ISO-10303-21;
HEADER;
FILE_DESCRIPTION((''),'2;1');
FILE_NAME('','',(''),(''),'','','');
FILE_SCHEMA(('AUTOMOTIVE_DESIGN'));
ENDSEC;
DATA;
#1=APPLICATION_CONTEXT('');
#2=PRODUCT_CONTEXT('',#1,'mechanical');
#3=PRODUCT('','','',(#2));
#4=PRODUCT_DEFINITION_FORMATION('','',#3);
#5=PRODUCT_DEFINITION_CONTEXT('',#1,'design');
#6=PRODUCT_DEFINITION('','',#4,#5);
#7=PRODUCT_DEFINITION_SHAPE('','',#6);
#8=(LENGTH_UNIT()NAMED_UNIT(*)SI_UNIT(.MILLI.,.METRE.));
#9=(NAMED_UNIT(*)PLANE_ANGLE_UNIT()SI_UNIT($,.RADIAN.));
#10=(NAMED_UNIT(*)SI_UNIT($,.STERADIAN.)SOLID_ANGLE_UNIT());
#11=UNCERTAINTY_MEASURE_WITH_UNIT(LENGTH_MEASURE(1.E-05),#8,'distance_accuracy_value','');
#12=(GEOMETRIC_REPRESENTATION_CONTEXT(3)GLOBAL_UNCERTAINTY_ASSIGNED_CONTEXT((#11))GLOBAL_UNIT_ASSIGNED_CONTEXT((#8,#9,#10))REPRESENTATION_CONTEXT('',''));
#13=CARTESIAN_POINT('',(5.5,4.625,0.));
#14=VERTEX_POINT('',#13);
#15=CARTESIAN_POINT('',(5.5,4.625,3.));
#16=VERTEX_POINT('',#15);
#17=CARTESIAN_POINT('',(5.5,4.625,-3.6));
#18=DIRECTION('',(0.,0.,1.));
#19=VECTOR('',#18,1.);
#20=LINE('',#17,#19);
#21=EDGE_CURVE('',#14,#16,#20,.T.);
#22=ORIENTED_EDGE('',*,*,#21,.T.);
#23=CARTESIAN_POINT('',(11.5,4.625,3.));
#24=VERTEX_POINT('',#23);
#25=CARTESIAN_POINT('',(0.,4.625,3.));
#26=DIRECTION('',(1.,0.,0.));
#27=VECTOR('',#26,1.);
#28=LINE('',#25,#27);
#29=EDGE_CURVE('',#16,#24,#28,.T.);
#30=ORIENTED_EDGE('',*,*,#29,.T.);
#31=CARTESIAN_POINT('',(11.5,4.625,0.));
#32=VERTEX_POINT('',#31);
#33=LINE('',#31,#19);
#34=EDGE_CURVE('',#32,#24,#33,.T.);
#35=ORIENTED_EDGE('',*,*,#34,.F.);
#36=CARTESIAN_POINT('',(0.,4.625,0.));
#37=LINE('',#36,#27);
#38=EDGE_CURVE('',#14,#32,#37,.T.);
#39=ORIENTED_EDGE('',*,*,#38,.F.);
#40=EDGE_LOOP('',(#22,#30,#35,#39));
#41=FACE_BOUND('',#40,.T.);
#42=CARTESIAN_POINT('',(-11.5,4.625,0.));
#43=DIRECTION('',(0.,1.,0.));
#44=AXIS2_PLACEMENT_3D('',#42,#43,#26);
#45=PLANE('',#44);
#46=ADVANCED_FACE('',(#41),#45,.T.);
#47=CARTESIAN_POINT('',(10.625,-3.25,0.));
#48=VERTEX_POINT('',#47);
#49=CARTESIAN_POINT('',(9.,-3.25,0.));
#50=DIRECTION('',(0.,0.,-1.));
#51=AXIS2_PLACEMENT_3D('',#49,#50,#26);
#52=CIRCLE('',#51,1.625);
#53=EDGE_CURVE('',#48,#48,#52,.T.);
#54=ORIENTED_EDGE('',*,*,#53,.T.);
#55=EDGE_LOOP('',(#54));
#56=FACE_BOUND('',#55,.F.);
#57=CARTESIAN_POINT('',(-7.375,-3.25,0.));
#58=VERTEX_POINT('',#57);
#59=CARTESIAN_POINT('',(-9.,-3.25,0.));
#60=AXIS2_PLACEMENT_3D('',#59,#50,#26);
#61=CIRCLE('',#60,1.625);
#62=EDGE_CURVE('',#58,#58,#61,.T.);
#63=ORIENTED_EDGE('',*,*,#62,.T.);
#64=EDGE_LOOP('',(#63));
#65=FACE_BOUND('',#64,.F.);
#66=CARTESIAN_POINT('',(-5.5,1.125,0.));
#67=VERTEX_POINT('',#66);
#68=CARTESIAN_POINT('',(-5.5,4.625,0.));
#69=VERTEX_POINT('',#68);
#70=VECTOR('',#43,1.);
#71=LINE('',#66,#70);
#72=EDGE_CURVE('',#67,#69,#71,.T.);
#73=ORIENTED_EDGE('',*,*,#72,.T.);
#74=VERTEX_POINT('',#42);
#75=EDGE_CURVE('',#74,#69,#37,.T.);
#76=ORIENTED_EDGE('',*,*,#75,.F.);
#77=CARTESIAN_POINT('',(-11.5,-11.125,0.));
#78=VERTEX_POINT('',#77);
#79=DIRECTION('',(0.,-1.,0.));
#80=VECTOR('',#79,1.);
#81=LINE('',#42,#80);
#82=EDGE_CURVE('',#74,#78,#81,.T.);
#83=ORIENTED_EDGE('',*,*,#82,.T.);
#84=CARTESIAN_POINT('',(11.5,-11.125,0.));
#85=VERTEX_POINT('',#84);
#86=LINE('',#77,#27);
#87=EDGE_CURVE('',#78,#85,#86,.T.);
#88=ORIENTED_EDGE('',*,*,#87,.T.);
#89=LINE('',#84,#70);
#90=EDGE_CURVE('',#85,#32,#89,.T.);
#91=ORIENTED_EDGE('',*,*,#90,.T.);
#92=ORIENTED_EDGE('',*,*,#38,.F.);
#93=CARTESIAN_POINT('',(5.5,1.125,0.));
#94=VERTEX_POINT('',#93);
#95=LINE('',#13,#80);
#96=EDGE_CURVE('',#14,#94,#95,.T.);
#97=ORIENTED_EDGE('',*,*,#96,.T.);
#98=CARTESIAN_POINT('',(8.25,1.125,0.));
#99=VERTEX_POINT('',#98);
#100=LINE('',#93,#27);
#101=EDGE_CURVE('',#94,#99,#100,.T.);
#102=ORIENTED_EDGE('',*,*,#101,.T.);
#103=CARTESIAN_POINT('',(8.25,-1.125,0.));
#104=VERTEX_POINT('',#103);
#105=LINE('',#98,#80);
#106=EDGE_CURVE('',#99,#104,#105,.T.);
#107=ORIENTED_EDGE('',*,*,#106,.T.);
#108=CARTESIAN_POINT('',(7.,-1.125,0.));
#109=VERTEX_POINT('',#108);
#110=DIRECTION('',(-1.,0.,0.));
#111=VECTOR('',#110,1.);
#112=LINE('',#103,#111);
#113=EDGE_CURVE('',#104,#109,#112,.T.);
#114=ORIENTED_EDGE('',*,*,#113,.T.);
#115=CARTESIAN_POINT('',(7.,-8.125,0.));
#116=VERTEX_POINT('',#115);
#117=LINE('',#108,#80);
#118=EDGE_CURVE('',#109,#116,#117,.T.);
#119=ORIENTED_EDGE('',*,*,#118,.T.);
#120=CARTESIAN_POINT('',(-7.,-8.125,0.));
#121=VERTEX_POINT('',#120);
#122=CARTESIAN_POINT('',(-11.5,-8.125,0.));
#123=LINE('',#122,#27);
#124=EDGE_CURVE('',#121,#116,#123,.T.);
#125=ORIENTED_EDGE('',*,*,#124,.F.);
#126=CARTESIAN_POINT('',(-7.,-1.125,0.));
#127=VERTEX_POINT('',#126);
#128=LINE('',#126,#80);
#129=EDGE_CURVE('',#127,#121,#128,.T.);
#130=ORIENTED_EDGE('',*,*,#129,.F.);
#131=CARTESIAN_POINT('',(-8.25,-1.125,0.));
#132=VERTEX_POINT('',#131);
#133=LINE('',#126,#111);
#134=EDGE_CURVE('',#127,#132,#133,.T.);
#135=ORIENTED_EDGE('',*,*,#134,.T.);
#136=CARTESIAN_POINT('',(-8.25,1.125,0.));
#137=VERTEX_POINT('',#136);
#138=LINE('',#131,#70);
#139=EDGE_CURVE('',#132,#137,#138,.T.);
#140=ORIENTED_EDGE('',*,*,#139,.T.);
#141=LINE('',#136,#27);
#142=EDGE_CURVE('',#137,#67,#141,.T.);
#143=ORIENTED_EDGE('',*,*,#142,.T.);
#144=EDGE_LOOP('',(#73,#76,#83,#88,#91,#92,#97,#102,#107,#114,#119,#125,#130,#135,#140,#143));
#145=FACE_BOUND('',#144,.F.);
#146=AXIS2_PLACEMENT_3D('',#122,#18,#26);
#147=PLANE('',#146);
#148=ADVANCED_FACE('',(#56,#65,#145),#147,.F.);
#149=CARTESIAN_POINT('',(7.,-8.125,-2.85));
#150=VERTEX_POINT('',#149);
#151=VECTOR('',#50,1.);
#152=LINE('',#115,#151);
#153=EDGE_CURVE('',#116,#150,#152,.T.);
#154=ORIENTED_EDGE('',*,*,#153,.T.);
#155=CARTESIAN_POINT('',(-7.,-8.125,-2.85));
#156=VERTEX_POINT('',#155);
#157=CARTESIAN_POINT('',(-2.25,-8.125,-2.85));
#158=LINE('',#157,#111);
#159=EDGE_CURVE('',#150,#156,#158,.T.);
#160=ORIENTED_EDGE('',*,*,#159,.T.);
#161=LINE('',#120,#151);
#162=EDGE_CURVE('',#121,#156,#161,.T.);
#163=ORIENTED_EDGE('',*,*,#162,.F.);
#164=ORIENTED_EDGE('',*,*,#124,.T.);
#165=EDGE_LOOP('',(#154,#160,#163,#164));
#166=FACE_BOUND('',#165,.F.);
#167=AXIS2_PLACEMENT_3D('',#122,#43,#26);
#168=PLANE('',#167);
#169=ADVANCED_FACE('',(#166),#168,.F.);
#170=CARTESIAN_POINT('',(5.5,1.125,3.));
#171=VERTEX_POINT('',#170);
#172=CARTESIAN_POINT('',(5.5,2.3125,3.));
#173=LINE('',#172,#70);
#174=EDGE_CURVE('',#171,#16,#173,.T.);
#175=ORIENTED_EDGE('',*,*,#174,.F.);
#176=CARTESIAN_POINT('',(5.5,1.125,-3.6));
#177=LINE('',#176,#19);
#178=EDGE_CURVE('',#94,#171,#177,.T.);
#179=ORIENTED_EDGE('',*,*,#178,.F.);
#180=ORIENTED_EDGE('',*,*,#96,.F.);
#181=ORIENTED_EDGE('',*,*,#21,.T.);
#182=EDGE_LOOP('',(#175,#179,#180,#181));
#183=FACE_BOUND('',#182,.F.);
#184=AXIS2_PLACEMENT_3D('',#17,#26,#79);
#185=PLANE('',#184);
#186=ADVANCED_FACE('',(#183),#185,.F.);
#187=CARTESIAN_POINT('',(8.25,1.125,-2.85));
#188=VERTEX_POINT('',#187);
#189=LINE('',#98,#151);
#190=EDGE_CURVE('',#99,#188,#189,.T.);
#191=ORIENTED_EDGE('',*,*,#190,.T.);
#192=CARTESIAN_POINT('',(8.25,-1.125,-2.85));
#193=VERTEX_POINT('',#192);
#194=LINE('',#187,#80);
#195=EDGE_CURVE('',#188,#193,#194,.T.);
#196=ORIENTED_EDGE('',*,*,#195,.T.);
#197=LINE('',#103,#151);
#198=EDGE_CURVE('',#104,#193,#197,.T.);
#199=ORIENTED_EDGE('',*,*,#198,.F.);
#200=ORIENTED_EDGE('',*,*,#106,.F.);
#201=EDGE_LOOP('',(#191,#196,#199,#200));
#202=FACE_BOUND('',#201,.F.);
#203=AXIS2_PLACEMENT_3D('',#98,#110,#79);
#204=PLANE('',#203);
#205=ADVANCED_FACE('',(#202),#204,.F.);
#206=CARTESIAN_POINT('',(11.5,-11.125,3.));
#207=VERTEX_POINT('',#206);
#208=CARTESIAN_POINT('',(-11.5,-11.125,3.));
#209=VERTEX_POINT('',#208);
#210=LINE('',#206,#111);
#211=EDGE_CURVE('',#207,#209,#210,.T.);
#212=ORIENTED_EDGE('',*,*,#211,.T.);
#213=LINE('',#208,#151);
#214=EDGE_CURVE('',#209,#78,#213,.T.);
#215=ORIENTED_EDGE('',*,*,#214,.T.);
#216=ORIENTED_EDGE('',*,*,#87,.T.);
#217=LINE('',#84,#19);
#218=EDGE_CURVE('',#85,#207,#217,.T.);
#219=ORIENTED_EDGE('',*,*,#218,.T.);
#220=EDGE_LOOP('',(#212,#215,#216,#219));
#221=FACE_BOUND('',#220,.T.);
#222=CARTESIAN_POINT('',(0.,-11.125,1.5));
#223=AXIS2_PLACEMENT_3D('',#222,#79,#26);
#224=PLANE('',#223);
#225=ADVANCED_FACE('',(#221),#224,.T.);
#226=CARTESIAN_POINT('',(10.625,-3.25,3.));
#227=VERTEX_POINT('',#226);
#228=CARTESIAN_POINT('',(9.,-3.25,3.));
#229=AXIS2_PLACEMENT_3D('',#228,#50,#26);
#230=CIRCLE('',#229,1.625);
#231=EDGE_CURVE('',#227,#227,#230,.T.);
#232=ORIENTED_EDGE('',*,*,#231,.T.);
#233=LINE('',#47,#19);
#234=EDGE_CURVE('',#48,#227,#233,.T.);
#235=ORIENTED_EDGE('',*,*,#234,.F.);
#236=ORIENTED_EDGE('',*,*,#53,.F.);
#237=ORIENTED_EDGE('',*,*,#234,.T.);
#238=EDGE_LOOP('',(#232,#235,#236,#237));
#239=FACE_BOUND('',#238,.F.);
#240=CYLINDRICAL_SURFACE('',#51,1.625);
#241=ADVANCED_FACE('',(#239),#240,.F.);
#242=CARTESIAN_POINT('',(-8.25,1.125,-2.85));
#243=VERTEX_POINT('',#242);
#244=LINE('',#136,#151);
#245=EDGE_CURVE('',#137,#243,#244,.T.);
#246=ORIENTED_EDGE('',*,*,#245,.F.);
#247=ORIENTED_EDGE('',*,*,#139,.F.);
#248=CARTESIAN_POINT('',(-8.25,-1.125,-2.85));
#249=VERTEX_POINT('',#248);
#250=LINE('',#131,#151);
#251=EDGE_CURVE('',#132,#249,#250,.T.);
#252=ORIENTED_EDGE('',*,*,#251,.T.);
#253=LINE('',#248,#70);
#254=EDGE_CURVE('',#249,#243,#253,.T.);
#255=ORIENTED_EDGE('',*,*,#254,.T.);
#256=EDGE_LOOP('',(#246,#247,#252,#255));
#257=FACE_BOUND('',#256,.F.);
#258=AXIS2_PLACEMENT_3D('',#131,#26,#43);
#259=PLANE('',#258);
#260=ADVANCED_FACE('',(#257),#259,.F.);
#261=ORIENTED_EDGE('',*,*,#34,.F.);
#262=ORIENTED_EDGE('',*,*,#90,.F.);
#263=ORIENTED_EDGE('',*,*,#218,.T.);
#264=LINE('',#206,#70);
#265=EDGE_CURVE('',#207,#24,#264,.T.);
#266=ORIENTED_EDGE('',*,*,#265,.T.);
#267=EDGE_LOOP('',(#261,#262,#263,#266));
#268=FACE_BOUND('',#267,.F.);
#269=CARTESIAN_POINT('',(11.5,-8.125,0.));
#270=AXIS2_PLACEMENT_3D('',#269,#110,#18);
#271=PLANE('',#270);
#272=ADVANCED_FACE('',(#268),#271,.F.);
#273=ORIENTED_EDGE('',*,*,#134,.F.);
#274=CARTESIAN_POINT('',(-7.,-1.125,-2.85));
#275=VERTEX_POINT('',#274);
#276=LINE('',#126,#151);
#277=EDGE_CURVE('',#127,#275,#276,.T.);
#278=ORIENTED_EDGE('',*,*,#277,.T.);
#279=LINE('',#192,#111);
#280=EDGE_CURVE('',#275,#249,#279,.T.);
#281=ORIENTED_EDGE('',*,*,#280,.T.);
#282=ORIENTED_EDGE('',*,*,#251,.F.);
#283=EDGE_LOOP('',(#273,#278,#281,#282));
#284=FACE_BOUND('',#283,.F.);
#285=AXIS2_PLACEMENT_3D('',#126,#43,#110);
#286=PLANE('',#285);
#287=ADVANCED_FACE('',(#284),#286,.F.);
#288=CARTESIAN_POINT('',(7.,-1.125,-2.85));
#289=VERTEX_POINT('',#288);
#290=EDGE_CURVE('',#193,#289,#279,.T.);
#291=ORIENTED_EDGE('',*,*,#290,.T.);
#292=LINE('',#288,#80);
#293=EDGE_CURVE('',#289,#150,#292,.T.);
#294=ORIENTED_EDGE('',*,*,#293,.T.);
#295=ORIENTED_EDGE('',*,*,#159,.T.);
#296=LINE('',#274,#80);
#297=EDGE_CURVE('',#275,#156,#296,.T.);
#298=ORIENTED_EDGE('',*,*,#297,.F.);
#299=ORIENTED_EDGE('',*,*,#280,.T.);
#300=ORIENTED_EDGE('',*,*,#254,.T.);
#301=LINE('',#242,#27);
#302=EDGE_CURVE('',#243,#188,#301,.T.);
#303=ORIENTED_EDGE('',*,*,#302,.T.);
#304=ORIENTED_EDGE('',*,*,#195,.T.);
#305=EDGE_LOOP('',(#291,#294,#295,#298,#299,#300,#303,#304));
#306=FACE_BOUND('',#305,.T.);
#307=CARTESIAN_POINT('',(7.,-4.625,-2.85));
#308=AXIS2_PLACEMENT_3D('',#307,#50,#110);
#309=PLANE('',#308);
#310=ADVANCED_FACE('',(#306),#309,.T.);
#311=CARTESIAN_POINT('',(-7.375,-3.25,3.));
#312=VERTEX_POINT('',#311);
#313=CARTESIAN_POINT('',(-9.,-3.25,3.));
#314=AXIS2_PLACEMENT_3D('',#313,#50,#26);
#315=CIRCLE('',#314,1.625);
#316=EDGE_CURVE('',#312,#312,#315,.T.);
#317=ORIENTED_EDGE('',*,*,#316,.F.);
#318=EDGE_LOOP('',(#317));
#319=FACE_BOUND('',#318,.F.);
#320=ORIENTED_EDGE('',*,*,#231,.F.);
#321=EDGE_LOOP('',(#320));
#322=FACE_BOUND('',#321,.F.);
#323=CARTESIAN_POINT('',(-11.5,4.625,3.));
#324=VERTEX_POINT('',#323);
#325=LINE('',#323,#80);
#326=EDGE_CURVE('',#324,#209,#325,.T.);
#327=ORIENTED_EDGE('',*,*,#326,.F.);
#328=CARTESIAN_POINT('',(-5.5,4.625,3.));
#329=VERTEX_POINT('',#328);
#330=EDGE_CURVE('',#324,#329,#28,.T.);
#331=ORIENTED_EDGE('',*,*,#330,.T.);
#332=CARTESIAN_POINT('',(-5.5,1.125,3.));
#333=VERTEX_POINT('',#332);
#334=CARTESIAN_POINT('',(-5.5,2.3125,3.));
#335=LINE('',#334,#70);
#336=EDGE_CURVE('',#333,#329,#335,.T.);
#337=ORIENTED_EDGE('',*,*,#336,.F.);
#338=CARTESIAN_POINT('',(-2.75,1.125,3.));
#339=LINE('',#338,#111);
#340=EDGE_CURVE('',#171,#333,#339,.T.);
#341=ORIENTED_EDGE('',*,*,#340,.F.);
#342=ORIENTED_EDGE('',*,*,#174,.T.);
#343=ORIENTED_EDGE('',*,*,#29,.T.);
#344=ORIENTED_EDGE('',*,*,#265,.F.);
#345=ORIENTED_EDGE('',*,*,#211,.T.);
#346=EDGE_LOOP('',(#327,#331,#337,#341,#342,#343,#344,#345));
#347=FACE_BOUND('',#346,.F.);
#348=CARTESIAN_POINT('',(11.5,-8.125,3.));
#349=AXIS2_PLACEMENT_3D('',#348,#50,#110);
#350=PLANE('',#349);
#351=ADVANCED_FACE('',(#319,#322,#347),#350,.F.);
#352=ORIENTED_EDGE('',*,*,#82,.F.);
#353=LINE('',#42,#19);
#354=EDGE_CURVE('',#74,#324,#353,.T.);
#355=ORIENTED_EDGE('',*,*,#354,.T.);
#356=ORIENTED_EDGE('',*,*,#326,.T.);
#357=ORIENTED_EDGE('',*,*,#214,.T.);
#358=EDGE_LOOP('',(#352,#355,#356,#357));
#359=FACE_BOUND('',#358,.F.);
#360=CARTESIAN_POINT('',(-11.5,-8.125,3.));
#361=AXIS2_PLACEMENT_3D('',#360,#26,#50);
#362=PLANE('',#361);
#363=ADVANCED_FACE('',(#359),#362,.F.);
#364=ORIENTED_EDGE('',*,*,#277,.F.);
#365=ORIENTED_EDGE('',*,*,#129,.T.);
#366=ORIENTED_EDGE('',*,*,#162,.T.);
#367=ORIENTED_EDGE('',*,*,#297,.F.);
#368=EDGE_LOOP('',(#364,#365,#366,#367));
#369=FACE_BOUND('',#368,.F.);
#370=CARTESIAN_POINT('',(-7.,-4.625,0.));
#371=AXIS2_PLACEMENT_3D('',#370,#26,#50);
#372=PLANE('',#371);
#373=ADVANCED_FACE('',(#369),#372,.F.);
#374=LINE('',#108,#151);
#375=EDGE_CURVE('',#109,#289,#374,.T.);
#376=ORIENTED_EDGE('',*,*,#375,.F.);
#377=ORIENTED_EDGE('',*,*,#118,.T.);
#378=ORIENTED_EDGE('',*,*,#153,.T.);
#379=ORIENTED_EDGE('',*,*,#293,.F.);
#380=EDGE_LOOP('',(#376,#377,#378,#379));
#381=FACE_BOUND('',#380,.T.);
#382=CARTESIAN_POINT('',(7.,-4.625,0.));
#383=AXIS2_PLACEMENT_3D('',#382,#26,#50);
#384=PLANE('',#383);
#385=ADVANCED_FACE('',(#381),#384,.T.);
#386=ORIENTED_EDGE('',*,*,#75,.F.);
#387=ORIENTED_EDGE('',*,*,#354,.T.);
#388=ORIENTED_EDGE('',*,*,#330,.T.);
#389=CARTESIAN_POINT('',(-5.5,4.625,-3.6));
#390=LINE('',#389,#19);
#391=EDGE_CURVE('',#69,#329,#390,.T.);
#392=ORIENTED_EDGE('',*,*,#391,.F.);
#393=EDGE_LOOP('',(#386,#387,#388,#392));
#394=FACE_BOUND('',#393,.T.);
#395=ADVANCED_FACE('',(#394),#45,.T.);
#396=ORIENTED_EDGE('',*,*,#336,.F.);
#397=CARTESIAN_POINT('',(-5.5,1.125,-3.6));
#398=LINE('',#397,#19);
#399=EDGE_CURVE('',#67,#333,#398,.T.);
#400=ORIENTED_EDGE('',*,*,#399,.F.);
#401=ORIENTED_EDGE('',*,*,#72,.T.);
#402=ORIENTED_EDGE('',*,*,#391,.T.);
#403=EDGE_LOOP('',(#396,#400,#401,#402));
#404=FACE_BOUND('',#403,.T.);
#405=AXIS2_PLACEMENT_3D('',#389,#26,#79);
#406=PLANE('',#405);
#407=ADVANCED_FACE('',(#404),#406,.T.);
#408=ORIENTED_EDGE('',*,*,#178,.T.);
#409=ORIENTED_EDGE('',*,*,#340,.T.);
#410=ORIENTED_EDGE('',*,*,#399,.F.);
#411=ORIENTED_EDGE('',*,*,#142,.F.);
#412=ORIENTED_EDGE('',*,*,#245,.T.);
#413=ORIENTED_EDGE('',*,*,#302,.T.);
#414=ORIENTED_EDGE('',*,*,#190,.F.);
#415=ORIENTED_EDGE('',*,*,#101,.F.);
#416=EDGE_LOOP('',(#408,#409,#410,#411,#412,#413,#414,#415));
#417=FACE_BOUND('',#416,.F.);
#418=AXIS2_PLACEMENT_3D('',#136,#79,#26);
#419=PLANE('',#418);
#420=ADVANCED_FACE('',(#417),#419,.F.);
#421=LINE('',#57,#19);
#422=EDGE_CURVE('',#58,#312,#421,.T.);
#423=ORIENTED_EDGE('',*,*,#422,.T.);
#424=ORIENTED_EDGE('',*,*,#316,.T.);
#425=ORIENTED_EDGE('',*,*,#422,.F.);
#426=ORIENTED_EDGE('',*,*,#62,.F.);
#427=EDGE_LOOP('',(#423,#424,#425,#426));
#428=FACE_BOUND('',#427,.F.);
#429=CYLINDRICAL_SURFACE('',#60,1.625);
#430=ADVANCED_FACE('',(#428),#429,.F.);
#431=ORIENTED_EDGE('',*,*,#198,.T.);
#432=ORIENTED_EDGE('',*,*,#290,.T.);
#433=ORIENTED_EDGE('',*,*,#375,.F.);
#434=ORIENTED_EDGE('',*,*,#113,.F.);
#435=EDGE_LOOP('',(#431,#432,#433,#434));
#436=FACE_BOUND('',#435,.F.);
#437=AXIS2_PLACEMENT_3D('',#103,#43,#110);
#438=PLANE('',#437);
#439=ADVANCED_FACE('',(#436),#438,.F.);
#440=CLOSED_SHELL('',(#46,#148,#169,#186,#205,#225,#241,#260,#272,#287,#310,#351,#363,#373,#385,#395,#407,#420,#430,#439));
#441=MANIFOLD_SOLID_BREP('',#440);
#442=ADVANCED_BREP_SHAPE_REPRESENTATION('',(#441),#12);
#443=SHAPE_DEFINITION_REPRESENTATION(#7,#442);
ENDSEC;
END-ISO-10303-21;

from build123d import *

# Parameters (mm, degrees)
F0_W      = 23
F0_H      = 9.25
F1_DEPTH  = 3
F3_DEPTH  = 3.6
F4_W      = 11
F4_H      = 3.5
F5_DEPTH  = 6.601
F7_DEPTH  = 0.75
F8_DEPTH  = 3.501
F9_DEPTH  = 3.5
F11_DEPTH = 3
F12_R     = 1.625
F13_DEPTH = 3.001


with BuildPart() as f1:
    # F0 (on Top) → F1 (new body)
    with BuildSketch(Plane.XY):
        Rectangle(F0_W, F0_H)
    extrude(amount=F1_DEPTH)

    # F2 (on face) → F3 (join)
    with BuildSketch(Plane(origin=(0, 0, 0), x_dir=(1, 0, 0), z_dir=(0, 0, -1))):
        Polygon((7, 4.625), (-7, 4.625), (-7, 1.125), (-8.25, 1.125), (-8.25, -1.125), (-5.5, -1.125), (-5.5, -4.625), (5.5, -4.625), (5.5, -1.125), (8.25, -1.125), (8.25, 1.125), (7, 1.125), align=None)
    extrude(amount=F3_DEPTH)

    # F4 (on face) → F5 (cut, through all)
    with BuildSketch(Plane(origin=(0, 0, -3.6), x_dir=(1, 0, 0), z_dir=(0, 0, -1))):
        with Locations((0, -2.875)):
            Rectangle(F4_W, F4_H)
    extrude(amount=-F5_DEPTH, mode=Mode.SUBTRACT)

    # F6 (on face) → F7 (cut)
    with BuildSketch(Plane(origin=(0, 0, -3.6), x_dir=(1, 0, 0), z_dir=(0, 0, -1))):
        Polygon((-8.25, -1.125), (8.25, -1.125), (8.25, 1.125), (7, 1.125), (-7, 1.125), (-8.25, 1.125), align=None)
    extrude(amount=-F7_DEPTH, mode=Mode.SUBTRACT)

    # F8 (cut, through all): a face of the model
    f8_faces = [f1.faces().sort_by_distance(p)[0] for p in [
        (0, -1.125, -3.225),
    ]]
    extrude(f8_faces, amount=-F8_DEPTH, mode=Mode.SUBTRACT)

    # F9 (add): a face of the model
    f9_faces = [f1.faces().sort_by_distance(p)[0] for p in [
        (0, -4.625, 0.4283057851),
    ]]
    extrude(f9_faces, amount=F9_DEPTH)

    # F10 (on face) → F11 (join)
    with BuildSketch(Plane.XZ.offset(8.125)):
        Polygon((11.5, 3), (-11.5, 3), (-11.5, 0), (-7, 0), (7, 0), (11.5, 0), align=None)
    extrude(amount=F11_DEPTH)

    # F12 (on face) → F13 (cut, through all)
    with BuildSketch(Plane(origin=(0, 0, 0), x_dir=(1, 0, 0), z_dir=(0, 0, -1))):
        with Locations((-9, 3.25)):
            Circle(F12_R)
        with Locations((9, 3.25)):
            Circle(F12_R)
    extrude(amount=-F13_DEPTH, mode=Mode.SUBTRACT)


solid = f1.part
